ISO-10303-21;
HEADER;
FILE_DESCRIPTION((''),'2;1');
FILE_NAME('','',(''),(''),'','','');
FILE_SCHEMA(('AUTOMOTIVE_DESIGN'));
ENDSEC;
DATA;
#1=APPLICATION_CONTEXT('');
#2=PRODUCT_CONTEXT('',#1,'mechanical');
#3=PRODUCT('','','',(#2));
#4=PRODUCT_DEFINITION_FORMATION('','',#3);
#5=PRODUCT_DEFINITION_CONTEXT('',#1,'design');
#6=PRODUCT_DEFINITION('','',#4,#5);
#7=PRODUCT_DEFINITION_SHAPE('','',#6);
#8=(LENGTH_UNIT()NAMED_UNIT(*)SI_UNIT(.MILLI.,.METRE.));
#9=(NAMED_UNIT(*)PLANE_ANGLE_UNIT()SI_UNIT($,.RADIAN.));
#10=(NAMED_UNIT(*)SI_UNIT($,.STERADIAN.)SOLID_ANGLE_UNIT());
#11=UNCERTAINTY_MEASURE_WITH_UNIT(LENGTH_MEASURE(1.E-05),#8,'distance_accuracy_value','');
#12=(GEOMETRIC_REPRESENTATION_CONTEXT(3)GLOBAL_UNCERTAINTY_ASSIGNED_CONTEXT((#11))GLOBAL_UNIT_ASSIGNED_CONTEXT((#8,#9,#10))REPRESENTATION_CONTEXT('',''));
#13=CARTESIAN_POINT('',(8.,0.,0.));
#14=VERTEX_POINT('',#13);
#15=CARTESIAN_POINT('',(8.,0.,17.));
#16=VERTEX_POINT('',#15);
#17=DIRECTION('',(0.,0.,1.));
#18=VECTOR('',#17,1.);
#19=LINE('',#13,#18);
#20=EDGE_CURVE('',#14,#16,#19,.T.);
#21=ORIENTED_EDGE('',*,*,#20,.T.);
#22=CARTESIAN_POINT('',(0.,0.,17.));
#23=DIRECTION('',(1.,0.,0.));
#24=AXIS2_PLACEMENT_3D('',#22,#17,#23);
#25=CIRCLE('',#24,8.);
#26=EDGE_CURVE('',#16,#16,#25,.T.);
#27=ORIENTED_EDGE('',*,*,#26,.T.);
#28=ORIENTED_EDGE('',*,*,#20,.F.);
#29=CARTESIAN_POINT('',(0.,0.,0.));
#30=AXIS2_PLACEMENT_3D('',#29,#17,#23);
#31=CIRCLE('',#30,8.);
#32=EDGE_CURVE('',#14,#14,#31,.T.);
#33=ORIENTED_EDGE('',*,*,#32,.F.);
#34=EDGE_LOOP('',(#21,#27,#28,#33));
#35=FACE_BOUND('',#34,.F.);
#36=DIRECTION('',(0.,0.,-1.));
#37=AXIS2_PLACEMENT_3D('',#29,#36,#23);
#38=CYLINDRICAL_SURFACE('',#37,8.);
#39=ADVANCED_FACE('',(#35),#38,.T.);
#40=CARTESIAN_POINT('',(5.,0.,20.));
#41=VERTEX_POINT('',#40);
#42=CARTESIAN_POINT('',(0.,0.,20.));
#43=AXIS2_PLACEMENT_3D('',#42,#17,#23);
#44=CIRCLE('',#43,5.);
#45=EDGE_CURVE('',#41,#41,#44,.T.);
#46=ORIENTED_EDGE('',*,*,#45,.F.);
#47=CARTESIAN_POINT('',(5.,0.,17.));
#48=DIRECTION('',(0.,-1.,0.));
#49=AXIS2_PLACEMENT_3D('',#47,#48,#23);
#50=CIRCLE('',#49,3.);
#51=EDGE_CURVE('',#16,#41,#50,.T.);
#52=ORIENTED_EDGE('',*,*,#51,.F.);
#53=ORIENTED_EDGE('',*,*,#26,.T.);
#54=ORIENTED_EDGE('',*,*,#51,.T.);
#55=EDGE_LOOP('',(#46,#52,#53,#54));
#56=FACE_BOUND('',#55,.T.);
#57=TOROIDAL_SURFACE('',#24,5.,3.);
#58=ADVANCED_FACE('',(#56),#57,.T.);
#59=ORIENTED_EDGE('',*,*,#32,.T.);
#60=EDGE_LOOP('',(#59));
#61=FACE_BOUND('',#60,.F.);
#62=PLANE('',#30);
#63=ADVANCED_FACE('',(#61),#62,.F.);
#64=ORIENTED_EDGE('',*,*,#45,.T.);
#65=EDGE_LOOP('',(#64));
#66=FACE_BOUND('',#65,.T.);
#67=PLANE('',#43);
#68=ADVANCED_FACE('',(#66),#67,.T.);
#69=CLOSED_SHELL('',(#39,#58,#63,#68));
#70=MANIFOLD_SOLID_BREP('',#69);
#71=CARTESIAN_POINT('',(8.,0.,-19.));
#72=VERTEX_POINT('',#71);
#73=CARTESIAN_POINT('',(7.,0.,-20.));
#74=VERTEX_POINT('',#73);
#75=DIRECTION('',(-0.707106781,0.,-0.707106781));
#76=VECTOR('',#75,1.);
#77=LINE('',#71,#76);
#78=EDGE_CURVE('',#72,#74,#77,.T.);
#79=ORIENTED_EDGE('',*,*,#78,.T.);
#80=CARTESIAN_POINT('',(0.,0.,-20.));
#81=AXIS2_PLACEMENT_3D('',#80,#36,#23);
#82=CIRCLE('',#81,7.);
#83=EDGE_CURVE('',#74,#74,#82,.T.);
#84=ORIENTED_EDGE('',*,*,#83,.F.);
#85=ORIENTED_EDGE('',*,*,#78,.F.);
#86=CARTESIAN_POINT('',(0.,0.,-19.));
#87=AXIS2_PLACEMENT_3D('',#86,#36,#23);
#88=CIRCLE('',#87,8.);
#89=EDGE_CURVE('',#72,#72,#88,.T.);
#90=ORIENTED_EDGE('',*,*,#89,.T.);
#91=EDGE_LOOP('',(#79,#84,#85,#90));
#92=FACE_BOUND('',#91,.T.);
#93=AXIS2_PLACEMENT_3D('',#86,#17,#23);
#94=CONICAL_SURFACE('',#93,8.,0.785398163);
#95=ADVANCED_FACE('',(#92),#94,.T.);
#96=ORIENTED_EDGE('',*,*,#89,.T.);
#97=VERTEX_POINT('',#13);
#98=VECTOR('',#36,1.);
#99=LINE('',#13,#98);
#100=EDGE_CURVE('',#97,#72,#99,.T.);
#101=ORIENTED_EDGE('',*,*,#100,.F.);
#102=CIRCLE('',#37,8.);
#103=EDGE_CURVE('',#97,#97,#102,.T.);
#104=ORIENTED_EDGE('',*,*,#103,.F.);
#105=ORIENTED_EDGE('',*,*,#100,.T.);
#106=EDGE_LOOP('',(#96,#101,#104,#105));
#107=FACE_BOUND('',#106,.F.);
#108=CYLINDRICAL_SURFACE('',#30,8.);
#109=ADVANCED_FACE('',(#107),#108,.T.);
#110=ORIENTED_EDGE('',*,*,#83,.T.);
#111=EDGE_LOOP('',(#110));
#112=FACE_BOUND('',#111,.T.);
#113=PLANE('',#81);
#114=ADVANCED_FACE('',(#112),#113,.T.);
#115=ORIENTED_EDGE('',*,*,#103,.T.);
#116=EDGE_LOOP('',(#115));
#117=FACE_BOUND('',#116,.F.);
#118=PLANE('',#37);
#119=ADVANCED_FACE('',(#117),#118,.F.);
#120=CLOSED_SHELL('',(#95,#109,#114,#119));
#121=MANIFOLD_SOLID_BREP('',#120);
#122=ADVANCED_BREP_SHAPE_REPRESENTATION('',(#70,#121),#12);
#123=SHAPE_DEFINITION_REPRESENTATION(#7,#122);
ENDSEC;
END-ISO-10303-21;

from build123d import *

# Parameters (mm, degrees)
F0_R      = 8
F1_DEPTH  = 20
F2_R      = 3
F1_FACE_R = 8
F3_DEPTH  = 20
F4_SIZE   = 1


with BuildPart() as f1:
    # F0 (on Top) → F1 (new body)
    with BuildSketch(Plane.XY):
        Circle(F0_R)
    extrude(amount=F1_DEPTH)

    # F2
    f2_edges = [f1.edges().sort_by_distance(p)[0] for p in [
        (-8, 0, 20),
    ]]
    fillet(f2_edges, radius=F2_R)


with BuildPart() as f3:
    # F1_face (on face) → F3 (new body)
    with BuildSketch(Plane(origin=(0, 0, 0), x_dir=(1, 0, 0), z_dir=(0, 0, -1))):
        Circle(F1_FACE_R)
    extrude(amount=F3_DEPTH)

    # F4
    f4_edges = [f3.edges().sort_by_distance(p)[0] for p in [
        (-8, 0, -20),
    ]]
    chamfer(f4_edges, length=F4_SIZE)


solid = Compound([f1.part, f3.part])
